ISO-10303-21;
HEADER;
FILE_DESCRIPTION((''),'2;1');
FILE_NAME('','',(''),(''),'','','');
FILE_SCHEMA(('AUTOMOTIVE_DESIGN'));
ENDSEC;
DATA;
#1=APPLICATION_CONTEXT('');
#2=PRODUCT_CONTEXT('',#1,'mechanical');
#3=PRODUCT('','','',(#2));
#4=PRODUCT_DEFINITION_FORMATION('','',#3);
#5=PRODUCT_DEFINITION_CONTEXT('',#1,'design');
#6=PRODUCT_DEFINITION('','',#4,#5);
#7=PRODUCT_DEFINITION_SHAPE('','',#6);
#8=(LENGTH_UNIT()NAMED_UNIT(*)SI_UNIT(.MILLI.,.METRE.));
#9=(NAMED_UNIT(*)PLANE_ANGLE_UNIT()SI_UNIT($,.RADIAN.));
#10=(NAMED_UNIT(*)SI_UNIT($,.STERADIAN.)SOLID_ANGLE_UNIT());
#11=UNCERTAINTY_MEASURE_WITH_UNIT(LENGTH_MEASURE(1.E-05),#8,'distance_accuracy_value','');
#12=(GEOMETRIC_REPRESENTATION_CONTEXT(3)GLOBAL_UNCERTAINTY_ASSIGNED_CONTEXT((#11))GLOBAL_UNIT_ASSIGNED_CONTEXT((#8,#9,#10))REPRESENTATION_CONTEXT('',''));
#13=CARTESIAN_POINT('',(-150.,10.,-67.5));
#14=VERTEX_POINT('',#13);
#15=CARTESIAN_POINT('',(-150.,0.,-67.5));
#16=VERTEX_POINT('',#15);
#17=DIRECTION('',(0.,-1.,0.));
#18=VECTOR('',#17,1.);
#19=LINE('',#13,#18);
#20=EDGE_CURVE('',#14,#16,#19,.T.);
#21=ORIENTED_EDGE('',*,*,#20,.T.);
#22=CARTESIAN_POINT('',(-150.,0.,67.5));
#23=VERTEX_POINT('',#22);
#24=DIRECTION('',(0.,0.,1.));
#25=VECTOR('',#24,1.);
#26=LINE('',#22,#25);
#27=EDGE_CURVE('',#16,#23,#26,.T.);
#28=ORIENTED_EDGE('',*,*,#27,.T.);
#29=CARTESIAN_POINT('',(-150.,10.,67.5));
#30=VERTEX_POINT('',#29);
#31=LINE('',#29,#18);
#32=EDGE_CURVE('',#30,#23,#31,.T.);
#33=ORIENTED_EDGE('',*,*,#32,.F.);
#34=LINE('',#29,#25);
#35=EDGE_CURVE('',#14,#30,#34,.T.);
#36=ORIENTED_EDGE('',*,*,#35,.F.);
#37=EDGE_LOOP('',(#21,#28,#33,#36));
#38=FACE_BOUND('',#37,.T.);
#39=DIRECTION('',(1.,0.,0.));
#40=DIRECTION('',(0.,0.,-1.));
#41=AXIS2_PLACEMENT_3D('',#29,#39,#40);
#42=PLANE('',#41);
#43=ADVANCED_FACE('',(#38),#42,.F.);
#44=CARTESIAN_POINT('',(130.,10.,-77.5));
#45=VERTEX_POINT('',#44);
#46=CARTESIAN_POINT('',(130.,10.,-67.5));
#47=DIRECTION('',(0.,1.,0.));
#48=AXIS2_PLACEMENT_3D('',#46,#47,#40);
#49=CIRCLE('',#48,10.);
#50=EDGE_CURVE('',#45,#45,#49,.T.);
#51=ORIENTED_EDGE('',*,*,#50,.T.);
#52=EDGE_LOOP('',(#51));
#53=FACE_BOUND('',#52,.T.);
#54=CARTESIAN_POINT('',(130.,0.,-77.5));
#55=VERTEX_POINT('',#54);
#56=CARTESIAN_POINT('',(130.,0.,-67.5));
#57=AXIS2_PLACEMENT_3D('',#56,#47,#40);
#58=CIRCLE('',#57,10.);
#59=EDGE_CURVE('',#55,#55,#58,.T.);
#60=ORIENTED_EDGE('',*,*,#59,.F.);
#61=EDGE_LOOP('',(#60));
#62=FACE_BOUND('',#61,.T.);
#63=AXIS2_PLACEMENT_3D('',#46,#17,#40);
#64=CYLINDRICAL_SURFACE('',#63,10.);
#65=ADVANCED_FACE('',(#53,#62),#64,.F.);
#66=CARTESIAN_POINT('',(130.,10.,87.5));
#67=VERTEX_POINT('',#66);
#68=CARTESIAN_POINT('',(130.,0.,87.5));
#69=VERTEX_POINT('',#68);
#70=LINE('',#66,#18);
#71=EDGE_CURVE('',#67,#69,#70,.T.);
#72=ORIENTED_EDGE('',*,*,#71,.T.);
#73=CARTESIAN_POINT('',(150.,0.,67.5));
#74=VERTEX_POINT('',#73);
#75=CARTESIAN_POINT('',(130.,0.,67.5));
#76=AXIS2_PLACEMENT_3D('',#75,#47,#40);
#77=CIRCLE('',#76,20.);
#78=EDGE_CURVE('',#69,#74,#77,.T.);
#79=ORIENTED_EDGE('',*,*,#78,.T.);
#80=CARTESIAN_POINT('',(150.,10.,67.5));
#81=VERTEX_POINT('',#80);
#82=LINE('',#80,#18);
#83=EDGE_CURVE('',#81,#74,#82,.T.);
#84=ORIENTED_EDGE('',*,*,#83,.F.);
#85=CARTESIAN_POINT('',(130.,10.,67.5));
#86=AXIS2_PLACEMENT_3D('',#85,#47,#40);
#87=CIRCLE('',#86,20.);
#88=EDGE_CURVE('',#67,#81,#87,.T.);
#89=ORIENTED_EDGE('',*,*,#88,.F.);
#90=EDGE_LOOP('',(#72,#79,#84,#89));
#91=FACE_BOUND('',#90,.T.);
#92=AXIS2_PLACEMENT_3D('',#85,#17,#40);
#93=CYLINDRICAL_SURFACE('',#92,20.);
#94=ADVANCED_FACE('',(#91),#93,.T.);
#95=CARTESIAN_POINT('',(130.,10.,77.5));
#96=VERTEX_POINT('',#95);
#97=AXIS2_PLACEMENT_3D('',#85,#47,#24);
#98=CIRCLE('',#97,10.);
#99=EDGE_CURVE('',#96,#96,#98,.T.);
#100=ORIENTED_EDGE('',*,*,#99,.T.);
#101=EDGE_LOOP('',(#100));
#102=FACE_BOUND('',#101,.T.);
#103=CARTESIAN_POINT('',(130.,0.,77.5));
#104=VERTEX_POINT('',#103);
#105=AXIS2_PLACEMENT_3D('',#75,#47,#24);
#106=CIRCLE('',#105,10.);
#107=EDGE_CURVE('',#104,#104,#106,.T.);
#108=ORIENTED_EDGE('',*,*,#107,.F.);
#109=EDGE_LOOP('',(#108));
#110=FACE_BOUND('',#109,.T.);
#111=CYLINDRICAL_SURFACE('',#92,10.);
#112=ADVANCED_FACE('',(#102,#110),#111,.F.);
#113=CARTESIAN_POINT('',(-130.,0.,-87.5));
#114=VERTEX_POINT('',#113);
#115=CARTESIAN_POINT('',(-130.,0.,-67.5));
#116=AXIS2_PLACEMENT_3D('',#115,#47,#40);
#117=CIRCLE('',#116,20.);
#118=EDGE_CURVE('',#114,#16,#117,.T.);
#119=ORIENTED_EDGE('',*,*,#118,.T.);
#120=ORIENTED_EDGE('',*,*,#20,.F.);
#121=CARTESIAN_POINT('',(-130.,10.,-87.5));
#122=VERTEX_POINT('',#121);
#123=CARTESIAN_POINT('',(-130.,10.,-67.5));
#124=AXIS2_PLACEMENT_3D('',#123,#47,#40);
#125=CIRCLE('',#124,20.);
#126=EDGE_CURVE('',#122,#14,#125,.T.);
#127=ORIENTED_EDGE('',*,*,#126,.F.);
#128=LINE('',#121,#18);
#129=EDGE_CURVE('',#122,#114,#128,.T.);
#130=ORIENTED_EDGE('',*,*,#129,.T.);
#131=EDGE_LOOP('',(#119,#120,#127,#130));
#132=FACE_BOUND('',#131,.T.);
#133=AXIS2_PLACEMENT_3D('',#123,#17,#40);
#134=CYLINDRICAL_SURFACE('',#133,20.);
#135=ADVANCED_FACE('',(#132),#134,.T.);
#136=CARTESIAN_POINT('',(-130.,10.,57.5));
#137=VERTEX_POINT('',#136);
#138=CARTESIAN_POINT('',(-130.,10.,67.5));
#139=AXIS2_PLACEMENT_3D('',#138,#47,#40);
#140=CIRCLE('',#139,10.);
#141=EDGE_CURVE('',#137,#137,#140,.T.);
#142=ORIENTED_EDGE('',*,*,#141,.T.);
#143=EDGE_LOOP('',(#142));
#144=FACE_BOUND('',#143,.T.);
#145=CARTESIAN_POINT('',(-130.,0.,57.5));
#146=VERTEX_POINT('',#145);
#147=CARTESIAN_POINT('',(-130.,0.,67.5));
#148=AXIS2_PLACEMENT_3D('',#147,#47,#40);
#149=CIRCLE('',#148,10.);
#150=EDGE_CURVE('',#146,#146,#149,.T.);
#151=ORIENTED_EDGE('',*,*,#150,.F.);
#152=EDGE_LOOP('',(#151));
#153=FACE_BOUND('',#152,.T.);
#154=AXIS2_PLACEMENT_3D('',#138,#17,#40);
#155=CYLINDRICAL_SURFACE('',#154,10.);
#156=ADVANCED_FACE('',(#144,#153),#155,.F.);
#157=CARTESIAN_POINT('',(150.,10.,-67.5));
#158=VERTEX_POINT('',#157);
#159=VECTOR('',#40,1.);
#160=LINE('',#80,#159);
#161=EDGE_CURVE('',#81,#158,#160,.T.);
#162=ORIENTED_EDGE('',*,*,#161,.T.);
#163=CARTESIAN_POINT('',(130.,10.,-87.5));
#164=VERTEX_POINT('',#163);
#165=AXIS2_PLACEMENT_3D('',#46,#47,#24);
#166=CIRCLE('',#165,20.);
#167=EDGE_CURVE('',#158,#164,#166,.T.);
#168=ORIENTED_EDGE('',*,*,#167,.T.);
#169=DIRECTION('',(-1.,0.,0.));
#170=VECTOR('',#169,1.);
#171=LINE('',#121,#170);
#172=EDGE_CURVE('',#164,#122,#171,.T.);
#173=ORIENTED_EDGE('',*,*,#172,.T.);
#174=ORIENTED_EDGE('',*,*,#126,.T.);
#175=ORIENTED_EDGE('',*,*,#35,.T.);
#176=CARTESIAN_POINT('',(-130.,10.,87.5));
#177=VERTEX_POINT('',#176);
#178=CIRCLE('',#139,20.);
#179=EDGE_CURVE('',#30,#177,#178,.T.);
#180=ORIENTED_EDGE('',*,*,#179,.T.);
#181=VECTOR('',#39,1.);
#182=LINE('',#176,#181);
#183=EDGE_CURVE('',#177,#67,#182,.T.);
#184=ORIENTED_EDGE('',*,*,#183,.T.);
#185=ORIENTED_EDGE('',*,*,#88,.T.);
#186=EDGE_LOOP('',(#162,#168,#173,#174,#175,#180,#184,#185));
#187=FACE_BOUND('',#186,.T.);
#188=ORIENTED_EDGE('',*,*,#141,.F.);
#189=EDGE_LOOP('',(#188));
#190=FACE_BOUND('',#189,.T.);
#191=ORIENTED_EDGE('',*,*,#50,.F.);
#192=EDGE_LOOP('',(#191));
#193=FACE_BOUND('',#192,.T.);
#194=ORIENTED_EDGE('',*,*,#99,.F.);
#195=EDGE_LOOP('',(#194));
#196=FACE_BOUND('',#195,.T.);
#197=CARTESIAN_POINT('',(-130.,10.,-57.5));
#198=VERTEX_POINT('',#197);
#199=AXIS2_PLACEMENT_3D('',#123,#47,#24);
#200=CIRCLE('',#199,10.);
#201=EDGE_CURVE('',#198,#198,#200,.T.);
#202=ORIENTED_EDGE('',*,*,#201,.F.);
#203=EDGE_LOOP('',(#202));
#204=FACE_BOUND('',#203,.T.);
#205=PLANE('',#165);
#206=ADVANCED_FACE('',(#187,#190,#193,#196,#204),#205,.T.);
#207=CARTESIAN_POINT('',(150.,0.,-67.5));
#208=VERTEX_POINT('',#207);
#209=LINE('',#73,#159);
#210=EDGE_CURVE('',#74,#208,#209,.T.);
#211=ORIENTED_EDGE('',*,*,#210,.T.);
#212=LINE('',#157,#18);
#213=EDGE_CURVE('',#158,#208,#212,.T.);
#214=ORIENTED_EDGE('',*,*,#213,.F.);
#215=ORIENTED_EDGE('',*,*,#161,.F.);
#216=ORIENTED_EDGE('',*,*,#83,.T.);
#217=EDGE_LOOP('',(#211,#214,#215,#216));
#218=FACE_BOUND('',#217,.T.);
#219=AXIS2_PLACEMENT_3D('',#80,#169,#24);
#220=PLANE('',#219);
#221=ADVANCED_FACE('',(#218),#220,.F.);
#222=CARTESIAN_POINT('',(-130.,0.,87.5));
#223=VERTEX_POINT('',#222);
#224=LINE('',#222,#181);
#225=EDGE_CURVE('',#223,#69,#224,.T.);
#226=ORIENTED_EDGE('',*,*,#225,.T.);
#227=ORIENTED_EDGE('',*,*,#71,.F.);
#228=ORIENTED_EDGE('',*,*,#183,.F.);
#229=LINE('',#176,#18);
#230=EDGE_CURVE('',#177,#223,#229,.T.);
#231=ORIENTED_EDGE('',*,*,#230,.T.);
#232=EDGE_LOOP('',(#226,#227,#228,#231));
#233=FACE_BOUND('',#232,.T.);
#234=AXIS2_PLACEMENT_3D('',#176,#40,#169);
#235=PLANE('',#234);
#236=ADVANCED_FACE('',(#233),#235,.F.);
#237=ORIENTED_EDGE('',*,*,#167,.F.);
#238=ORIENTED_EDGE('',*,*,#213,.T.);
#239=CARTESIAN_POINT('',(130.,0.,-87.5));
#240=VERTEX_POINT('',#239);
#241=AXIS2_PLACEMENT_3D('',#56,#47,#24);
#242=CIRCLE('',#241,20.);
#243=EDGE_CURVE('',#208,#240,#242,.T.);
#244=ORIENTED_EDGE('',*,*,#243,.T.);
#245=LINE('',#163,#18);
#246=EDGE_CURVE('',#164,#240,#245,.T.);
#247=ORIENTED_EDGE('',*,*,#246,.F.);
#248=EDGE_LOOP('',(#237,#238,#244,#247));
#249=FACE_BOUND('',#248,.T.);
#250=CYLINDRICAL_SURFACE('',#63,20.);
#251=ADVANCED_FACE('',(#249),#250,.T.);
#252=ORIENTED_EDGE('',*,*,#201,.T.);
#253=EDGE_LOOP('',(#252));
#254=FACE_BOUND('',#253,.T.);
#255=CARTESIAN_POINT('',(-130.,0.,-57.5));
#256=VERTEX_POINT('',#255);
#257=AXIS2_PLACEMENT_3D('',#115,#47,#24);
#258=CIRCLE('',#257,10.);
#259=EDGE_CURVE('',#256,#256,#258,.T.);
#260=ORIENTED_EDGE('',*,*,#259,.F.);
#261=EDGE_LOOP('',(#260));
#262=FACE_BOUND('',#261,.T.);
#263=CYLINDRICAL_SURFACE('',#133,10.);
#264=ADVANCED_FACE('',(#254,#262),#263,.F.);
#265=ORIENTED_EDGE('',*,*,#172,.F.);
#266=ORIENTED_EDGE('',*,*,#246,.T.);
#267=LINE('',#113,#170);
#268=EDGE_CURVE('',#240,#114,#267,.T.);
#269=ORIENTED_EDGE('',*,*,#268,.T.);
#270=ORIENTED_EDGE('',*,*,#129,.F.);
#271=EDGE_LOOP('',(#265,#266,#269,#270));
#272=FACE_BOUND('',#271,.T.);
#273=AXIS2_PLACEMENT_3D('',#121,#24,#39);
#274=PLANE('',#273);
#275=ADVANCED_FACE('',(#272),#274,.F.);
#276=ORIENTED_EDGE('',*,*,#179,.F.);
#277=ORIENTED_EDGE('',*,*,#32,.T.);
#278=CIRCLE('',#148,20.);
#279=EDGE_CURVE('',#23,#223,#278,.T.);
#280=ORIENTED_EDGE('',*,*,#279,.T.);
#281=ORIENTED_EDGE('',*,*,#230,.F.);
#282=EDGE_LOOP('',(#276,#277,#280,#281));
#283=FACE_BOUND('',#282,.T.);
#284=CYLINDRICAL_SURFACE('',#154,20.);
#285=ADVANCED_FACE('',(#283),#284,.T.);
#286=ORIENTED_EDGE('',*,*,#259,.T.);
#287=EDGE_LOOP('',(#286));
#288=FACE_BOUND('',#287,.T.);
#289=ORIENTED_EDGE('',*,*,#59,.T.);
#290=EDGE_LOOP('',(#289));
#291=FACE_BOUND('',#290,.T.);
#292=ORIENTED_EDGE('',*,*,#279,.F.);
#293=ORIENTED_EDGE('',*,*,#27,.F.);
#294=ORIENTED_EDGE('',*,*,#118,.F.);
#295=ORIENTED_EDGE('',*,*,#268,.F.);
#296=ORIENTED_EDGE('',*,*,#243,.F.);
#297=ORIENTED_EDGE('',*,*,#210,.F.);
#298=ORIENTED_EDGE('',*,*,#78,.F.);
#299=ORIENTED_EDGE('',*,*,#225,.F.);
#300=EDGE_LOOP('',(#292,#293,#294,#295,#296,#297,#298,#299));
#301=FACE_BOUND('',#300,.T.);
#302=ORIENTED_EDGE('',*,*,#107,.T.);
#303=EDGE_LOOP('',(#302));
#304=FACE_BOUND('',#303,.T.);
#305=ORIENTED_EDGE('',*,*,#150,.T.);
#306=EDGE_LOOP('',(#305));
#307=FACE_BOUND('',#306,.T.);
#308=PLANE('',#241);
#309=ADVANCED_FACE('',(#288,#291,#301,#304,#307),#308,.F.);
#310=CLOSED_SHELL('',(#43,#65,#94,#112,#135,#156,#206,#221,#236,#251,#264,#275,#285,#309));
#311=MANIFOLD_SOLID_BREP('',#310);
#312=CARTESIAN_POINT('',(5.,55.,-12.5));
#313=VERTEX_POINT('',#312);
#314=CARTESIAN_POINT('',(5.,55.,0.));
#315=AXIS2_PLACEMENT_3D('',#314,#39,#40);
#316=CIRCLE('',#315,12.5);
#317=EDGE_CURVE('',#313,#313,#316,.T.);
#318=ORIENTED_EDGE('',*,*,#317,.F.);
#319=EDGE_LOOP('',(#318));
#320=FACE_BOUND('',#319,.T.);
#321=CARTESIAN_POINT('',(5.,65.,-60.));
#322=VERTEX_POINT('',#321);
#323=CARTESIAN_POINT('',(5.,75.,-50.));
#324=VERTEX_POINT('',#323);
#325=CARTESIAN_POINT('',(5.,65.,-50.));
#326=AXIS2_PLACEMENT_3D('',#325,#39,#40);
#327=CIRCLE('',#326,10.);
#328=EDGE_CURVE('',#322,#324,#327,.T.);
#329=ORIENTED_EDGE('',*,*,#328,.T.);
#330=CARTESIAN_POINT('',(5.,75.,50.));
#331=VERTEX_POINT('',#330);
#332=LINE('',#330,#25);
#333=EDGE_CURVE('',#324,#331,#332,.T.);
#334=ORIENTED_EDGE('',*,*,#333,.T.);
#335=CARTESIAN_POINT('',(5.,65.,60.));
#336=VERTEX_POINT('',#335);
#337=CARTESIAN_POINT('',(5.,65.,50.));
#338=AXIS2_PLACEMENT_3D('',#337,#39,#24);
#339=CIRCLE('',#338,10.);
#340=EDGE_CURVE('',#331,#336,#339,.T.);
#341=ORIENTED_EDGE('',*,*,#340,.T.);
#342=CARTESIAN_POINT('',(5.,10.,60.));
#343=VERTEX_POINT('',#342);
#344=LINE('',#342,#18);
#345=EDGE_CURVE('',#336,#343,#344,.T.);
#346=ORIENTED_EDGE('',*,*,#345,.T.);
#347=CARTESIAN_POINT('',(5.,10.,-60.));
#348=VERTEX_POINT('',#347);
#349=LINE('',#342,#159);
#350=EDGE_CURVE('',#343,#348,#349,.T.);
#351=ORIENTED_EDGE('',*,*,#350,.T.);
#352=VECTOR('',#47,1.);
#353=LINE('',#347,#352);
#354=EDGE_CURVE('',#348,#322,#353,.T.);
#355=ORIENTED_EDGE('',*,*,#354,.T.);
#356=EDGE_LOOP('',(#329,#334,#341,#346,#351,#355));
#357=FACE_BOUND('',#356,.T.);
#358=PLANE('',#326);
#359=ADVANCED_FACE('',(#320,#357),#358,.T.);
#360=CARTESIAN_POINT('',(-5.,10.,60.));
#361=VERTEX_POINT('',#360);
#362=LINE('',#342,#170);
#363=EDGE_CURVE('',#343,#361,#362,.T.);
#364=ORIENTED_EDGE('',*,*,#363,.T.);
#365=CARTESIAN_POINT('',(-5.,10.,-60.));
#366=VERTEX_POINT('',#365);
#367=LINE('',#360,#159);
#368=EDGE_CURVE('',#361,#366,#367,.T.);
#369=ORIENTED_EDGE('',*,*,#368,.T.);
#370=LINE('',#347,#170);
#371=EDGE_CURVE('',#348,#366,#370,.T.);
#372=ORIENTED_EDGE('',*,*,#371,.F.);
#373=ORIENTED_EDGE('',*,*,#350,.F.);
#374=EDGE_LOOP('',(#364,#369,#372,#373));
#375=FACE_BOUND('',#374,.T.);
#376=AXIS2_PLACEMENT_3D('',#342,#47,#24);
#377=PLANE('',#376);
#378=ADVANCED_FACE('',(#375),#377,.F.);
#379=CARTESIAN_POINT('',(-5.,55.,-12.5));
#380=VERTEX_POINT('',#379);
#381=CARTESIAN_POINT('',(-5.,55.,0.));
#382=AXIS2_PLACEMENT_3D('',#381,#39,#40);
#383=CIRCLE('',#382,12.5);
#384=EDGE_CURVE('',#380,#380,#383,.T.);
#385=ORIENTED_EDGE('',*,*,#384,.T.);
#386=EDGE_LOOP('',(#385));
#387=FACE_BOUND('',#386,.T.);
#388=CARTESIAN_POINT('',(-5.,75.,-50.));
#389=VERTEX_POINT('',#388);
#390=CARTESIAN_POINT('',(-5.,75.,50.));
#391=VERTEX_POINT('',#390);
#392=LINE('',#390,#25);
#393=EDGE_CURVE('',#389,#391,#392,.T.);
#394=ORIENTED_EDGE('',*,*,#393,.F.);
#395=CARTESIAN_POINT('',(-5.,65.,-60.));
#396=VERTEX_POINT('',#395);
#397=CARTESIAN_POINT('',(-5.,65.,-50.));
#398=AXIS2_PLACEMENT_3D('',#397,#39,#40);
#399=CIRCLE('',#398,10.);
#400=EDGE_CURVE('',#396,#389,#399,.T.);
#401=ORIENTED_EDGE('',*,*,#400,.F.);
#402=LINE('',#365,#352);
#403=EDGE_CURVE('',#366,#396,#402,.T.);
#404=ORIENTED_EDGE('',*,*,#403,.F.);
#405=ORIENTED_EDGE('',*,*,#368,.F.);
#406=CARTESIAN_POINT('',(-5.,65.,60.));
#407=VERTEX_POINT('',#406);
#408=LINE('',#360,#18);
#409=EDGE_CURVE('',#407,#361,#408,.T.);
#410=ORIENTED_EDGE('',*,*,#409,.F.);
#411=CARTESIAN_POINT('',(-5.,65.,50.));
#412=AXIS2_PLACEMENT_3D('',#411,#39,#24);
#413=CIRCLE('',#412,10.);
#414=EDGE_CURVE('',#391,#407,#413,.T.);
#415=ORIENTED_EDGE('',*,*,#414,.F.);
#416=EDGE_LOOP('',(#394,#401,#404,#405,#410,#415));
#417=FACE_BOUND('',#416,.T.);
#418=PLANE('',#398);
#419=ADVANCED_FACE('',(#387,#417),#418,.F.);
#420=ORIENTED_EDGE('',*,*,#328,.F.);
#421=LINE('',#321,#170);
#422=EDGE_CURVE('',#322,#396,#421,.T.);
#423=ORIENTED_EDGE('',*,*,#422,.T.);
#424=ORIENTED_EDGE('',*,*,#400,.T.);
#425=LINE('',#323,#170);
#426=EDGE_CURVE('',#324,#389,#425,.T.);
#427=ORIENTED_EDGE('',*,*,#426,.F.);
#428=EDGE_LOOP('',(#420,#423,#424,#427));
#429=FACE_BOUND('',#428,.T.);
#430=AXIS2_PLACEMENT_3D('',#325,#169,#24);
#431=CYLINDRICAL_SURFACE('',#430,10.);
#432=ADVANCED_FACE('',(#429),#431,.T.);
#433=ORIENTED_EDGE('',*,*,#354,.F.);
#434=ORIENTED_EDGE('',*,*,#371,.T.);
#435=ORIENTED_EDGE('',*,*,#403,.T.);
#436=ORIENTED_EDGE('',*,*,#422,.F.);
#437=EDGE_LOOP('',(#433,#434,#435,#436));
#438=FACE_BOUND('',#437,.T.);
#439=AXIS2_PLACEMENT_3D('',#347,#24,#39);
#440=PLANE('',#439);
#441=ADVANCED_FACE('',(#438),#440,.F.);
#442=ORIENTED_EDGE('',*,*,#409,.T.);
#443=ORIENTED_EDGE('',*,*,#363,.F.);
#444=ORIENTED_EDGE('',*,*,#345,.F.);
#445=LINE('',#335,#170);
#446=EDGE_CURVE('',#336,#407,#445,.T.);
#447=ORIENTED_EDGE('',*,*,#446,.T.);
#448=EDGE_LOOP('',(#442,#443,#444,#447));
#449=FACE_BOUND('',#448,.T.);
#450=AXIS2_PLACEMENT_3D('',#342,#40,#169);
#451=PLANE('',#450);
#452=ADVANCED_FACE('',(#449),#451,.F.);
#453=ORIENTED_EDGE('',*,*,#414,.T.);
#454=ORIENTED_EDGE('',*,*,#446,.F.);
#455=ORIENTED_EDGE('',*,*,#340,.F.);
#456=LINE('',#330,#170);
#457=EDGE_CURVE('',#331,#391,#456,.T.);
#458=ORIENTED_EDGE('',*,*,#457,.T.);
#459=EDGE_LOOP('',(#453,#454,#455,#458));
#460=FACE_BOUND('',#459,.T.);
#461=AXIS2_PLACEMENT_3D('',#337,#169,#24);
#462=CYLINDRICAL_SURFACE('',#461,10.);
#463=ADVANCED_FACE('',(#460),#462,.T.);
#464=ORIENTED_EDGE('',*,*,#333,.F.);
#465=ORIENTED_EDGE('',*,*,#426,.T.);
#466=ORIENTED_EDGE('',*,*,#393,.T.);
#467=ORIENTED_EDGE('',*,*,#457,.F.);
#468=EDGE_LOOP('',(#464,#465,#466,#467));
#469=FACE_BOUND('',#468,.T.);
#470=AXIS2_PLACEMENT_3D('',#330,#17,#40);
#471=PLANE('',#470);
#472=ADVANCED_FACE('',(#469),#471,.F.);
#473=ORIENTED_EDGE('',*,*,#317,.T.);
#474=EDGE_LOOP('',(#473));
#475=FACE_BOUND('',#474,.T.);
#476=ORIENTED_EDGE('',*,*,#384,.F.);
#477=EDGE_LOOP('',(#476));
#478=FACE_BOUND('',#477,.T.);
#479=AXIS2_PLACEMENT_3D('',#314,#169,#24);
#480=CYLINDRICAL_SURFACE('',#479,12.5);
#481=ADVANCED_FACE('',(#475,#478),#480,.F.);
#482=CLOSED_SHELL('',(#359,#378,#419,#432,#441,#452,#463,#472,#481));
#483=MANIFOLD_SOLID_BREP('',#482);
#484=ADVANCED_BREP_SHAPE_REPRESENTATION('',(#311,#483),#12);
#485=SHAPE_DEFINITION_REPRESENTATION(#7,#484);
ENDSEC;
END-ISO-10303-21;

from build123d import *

# Parameters (mm, degrees)
SKETCH4_R           = 10
BOSS_EXTRUDE2_DEPTH = 10
SKETCH5_R           = 12.5
BOSS_EXTRUDE3_DEPTH = 5


with BuildPart() as part:
    # Sketch4 → Boss-Extrude2 (new body)
    with BuildSketch(Plane(origin=(0, 0, 0), x_dir=(1, 0, 0), z_dir=(0, 1, 0))):
        with BuildLine():
            Line((-130, -87.5), (130, -87.5))
            ThreePointArc((130, -87.5), (144.142135624, -81.642135624), (150, -67.5))
            Line((150, -67.5), (150, 67.5))
            ThreePointArc((150, 67.5), (144.142135624, 81.642135624), (130, 87.5))
            Line((130, 87.5), (-130, 87.5))
            ThreePointArc((-130, 87.5), (-144.142135624, 81.642135624), (-150, 67.5))
            Line((-150, 67.5), (-150, -67.5))
            ThreePointArc((-150, -67.5), (-144.142135624, -81.642135624), (-130, -87.5))
        make_face()
        with Locations(Location((-130, 67.5, 0), (0, 0, 270))):
            Circle(SKETCH4_R, mode=Mode.SUBTRACT)
        with Locations(Location((-130, -67.5, 0), (0, 0, 90))):
            Circle(SKETCH4_R, mode=Mode.SUBTRACT)
        with Locations(Location((130, 67.5, 0), (0, 0, 90))):
            Circle(SKETCH4_R, mode=Mode.SUBTRACT)
        with Locations(Location((130, -67.5, 0), (0, 0, 270))):
            Circle(SKETCH4_R, mode=Mode.SUBTRACT)
    extrude(amount=BOSS_EXTRUDE2_DEPTH)


with BuildPart() as body_2:
    # Sketch5 → Boss-Extrude3 (new, symmetric)
    with BuildSketch(Plane(origin=(0, 0, 0), x_dir=(0, 0, -1), z_dir=(1, 0, 0))):
        with BuildLine():
            Line((-60, 10), (-60, 65))
            ThreePointArc((-60, 65), (-57.071067812, 72.071067812), (-50, 75))
            Line((-50, 75), (50, 75))
            ThreePointArc((50, 75), (57.071067812, 72.071067812), (60, 65))
            Line((60, 65), (60, 10))
            Line((60, 10), (-60, 10))
        make_face()
        with Locations((0, 55)):
            Circle(SKETCH5_R, mode=Mode.SUBTRACT)
    extrude(amount=BOSS_EXTRUDE3_DEPTH, both=True)


solid = Compound([part.part, body_2.part])
